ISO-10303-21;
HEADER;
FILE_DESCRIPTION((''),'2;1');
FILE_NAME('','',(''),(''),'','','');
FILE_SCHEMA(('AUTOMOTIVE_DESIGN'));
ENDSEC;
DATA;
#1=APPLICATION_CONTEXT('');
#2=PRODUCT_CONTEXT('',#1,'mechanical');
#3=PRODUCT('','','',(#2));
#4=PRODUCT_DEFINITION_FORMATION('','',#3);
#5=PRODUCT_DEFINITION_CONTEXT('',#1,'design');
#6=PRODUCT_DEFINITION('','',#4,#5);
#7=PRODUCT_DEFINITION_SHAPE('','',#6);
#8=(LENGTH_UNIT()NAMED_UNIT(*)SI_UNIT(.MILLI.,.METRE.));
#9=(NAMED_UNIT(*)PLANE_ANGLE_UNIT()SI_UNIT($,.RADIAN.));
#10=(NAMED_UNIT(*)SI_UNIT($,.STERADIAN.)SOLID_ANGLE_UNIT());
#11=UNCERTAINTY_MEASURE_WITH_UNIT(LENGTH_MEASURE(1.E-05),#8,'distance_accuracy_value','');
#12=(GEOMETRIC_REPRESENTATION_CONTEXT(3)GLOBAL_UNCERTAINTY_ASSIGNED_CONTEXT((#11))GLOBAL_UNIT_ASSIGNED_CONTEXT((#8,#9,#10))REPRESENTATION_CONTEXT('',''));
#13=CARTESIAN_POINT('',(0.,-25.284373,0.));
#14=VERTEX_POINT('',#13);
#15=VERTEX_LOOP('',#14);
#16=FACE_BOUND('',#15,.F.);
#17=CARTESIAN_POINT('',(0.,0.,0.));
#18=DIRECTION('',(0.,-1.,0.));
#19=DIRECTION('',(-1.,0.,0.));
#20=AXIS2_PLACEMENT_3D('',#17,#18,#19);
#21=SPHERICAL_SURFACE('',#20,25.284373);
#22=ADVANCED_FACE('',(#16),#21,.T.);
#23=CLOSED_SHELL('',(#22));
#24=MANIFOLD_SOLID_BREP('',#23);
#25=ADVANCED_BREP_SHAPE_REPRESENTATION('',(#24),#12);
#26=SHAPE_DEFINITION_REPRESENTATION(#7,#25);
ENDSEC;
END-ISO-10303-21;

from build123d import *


with BuildPart() as f1:
    # F0 (on Top) → F1 (revolve)
    with BuildSketch(Plane.XY):
        with BuildLine():
            Line((0, 0), (0, 25.284373))
            ThreePointArc((0, 25.284373), (-25.284373, 0), (0, -25.284373))
            Line((0, -25.284373), (0, 0))
        make_face()
    revolve(axis=Axis((0, 20.575365, 0), (0, 1, 0)))


solid = f1.part
